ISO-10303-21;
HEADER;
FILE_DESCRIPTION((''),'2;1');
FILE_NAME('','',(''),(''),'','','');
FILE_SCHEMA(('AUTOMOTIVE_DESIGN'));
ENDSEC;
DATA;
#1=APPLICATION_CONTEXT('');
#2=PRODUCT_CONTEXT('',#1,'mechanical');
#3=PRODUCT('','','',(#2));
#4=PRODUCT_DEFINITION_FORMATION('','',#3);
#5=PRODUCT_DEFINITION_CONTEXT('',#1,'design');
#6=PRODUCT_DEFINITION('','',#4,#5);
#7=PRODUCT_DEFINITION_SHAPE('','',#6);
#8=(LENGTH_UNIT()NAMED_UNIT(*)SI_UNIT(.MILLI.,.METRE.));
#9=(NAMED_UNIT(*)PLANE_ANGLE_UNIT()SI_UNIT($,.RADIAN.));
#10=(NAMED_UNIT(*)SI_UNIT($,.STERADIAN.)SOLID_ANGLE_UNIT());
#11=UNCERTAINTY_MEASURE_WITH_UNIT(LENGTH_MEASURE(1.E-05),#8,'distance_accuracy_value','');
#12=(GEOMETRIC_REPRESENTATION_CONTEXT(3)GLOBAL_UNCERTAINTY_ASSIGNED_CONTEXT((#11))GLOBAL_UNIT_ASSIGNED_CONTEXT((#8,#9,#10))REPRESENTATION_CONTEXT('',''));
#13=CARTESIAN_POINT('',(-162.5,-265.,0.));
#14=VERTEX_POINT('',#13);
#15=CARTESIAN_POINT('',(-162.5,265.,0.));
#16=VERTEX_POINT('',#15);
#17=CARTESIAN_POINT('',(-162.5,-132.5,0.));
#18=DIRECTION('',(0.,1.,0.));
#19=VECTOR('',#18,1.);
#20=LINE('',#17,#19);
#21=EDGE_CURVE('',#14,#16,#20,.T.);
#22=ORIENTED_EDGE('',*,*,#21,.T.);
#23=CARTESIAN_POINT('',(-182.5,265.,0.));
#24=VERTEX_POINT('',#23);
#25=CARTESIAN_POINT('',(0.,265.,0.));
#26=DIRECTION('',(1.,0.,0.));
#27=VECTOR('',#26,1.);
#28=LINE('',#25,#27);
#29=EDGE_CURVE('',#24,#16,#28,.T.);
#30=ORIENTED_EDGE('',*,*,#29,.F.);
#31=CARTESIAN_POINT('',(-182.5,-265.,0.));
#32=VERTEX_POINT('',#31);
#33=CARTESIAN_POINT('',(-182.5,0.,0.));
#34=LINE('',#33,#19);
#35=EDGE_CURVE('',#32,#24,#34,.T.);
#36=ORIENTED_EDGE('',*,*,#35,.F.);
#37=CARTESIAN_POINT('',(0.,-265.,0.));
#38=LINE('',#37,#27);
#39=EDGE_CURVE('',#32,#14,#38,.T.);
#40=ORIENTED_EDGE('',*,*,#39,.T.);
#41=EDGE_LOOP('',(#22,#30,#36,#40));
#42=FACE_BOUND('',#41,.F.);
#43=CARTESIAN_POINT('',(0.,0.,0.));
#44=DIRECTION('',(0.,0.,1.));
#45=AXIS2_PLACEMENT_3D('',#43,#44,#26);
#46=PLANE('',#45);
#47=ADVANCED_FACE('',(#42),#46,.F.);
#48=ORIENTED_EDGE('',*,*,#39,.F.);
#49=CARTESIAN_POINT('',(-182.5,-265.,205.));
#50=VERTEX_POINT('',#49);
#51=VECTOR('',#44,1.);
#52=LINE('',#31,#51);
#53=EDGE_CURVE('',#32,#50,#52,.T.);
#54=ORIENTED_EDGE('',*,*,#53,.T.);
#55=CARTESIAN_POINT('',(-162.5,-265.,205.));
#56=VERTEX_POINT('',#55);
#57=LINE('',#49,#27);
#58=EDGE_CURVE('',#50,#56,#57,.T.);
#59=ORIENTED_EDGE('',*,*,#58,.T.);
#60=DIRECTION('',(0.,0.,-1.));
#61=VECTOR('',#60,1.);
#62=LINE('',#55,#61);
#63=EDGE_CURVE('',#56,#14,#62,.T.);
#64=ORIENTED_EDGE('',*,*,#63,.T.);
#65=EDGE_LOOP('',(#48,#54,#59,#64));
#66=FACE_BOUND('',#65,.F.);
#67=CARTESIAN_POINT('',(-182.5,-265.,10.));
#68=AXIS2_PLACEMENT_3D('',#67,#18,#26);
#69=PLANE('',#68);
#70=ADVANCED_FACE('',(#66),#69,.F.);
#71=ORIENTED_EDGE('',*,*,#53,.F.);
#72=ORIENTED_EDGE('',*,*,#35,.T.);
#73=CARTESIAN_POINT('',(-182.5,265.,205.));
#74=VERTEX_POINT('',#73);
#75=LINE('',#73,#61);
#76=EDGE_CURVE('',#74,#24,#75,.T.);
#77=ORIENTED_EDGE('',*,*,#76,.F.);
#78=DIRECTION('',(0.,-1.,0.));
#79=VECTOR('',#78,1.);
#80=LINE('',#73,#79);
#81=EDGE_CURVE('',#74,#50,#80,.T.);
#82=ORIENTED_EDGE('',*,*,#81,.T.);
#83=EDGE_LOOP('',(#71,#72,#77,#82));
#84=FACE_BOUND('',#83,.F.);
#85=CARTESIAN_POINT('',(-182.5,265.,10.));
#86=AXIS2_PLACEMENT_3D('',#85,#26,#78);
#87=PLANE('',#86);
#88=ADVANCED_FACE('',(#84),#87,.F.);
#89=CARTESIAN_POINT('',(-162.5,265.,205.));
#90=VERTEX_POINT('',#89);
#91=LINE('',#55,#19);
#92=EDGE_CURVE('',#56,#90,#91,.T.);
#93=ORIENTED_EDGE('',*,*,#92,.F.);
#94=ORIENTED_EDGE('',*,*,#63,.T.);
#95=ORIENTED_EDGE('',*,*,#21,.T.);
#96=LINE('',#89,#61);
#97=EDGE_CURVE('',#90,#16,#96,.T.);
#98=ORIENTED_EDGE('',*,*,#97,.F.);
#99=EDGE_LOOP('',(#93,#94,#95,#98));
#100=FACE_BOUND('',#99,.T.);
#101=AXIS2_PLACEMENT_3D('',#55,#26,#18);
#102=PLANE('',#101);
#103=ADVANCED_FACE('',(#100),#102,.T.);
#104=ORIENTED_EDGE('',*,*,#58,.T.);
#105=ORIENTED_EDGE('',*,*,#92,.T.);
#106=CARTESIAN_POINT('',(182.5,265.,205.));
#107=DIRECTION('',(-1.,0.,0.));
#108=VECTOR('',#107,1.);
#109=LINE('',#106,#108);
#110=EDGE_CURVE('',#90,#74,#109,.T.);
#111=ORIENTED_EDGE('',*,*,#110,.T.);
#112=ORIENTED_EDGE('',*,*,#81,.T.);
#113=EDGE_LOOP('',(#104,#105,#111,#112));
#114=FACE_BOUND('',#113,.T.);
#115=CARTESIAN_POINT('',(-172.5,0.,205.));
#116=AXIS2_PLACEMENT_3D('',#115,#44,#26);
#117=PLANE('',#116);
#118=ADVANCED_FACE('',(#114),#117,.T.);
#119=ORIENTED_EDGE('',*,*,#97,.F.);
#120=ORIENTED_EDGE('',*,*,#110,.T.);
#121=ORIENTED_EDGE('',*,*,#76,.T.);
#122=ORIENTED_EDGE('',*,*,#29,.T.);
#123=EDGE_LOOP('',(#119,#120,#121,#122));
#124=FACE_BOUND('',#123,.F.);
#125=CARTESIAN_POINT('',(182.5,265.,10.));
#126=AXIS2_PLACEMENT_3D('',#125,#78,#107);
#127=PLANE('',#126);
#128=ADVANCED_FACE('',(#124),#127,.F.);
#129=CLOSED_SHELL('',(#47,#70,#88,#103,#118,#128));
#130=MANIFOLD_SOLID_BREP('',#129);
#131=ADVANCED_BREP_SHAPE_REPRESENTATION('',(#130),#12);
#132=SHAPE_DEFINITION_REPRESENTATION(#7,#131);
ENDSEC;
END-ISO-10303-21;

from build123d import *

# Parameters (mm, degrees)
F0_W     = 365
F0_H     = 530
F1_DEPTH = 10
F2_W     = 325
F2_H     = 20
F3_DEPTH = 195
F4_W     = 345
F4_H     = 530
F5_DEPTH = 205.001


with BuildPart() as f1:
    # F0 (on Top) → F1 (new body)
    with BuildSketch(Plane.XY):
        Rectangle(F0_W, F0_H)
    extrude(amount=F1_DEPTH)

    # F2 (on face) → F3 (join)
    with BuildSketch(Plane.XY.offset(10)):
        Polygon((-162.5, 265), (-182.5, 265), (-182.5, -265), (-162.5, -265), (-162.5, -245), (-162.5, 245), align=None)
        with Locations((0, 255)):
            Rectangle(F2_W, F2_H)
        Polygon((182.5, 265), (162.5, 265), (162.5, 245), (162.5, -245), (162.5, -265), (182.5, -265), align=None)
        with Locations((0, -255)):
            Rectangle(F2_W, F2_H)
    extrude(amount=F3_DEPTH)

    # F4 (on face) → F5 (cut, through all)
    with BuildSketch(Plane.XY.offset(205)):
        with Locations((10, 0)):
            Rectangle(F4_W, F4_H)
    extrude(amount=-F5_DEPTH, mode=Mode.SUBTRACT)


solid = f1.part
